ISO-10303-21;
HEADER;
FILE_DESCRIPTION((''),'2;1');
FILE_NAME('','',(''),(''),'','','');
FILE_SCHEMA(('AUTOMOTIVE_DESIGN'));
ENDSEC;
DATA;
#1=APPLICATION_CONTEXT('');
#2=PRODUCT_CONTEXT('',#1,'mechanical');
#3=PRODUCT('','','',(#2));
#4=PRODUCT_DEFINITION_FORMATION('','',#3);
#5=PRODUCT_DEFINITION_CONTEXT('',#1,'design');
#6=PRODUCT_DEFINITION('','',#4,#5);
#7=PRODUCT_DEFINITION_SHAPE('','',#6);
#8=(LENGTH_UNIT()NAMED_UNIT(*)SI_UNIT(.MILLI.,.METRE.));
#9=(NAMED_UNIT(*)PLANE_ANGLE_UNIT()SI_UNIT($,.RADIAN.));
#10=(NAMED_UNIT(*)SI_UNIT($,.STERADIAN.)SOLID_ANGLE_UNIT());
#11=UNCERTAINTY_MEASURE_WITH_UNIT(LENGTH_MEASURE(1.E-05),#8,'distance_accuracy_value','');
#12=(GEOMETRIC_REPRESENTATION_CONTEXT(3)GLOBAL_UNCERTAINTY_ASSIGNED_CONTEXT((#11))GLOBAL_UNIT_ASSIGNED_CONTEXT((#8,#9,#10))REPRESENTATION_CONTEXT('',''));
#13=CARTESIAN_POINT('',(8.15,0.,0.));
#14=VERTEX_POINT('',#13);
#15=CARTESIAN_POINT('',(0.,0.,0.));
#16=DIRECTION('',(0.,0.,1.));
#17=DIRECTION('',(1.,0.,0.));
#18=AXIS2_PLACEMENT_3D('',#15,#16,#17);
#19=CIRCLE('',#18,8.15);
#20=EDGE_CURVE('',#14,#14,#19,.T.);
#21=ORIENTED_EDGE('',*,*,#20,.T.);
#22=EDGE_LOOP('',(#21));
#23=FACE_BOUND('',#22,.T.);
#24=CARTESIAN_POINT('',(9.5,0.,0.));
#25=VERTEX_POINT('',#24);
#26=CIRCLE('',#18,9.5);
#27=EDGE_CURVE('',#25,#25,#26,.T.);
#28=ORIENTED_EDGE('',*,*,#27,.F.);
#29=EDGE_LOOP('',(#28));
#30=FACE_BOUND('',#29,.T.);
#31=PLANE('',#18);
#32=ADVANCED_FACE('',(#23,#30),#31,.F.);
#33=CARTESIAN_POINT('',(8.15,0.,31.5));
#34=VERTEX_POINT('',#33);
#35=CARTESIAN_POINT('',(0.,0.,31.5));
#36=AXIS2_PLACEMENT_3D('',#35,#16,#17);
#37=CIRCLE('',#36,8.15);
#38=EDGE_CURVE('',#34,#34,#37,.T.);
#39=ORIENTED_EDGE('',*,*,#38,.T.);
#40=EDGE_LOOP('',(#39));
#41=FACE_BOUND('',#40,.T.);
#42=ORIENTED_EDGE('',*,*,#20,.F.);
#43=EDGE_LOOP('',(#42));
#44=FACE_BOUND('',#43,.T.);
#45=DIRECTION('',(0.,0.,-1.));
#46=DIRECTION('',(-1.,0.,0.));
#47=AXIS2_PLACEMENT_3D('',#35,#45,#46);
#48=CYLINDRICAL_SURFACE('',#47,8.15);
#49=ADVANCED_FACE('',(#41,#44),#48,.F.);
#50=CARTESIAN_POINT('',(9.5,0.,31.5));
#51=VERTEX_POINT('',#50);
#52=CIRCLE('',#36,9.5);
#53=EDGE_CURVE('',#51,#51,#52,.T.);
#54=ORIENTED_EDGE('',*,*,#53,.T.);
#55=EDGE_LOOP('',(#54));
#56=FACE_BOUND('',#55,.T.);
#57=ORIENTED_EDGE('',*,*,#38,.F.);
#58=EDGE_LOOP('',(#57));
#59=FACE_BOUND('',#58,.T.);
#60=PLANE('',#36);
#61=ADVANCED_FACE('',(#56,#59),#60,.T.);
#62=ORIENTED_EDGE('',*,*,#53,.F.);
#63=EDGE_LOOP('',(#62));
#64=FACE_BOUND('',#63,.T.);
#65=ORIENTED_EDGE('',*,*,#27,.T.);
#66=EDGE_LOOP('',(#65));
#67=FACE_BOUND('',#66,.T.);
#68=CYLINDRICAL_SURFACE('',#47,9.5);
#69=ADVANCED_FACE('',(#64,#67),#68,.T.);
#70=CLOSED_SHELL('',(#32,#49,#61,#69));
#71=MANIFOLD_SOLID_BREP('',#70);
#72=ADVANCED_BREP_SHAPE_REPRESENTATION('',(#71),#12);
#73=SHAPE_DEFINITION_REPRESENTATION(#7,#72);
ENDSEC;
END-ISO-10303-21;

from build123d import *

# Parameters (mm, degrees)
SZKIC1_R                    = 9.5
SZKIC1_R_2                  = 8.15
DODANIE_WYCI_GNI_CIE1_DEPTH = 31.5


with BuildPart() as part:
    # Szkic1 → Dodanie-wyciągnięcie1 (new body)
    with BuildSketch(Plane.XY):
        Circle(SZKIC1_R)
        Circle(SZKIC1_R_2, mode=Mode.SUBTRACT)
    extrude(amount=DODANIE_WYCI_GNI_CIE1_DEPTH)


solid = part.part
